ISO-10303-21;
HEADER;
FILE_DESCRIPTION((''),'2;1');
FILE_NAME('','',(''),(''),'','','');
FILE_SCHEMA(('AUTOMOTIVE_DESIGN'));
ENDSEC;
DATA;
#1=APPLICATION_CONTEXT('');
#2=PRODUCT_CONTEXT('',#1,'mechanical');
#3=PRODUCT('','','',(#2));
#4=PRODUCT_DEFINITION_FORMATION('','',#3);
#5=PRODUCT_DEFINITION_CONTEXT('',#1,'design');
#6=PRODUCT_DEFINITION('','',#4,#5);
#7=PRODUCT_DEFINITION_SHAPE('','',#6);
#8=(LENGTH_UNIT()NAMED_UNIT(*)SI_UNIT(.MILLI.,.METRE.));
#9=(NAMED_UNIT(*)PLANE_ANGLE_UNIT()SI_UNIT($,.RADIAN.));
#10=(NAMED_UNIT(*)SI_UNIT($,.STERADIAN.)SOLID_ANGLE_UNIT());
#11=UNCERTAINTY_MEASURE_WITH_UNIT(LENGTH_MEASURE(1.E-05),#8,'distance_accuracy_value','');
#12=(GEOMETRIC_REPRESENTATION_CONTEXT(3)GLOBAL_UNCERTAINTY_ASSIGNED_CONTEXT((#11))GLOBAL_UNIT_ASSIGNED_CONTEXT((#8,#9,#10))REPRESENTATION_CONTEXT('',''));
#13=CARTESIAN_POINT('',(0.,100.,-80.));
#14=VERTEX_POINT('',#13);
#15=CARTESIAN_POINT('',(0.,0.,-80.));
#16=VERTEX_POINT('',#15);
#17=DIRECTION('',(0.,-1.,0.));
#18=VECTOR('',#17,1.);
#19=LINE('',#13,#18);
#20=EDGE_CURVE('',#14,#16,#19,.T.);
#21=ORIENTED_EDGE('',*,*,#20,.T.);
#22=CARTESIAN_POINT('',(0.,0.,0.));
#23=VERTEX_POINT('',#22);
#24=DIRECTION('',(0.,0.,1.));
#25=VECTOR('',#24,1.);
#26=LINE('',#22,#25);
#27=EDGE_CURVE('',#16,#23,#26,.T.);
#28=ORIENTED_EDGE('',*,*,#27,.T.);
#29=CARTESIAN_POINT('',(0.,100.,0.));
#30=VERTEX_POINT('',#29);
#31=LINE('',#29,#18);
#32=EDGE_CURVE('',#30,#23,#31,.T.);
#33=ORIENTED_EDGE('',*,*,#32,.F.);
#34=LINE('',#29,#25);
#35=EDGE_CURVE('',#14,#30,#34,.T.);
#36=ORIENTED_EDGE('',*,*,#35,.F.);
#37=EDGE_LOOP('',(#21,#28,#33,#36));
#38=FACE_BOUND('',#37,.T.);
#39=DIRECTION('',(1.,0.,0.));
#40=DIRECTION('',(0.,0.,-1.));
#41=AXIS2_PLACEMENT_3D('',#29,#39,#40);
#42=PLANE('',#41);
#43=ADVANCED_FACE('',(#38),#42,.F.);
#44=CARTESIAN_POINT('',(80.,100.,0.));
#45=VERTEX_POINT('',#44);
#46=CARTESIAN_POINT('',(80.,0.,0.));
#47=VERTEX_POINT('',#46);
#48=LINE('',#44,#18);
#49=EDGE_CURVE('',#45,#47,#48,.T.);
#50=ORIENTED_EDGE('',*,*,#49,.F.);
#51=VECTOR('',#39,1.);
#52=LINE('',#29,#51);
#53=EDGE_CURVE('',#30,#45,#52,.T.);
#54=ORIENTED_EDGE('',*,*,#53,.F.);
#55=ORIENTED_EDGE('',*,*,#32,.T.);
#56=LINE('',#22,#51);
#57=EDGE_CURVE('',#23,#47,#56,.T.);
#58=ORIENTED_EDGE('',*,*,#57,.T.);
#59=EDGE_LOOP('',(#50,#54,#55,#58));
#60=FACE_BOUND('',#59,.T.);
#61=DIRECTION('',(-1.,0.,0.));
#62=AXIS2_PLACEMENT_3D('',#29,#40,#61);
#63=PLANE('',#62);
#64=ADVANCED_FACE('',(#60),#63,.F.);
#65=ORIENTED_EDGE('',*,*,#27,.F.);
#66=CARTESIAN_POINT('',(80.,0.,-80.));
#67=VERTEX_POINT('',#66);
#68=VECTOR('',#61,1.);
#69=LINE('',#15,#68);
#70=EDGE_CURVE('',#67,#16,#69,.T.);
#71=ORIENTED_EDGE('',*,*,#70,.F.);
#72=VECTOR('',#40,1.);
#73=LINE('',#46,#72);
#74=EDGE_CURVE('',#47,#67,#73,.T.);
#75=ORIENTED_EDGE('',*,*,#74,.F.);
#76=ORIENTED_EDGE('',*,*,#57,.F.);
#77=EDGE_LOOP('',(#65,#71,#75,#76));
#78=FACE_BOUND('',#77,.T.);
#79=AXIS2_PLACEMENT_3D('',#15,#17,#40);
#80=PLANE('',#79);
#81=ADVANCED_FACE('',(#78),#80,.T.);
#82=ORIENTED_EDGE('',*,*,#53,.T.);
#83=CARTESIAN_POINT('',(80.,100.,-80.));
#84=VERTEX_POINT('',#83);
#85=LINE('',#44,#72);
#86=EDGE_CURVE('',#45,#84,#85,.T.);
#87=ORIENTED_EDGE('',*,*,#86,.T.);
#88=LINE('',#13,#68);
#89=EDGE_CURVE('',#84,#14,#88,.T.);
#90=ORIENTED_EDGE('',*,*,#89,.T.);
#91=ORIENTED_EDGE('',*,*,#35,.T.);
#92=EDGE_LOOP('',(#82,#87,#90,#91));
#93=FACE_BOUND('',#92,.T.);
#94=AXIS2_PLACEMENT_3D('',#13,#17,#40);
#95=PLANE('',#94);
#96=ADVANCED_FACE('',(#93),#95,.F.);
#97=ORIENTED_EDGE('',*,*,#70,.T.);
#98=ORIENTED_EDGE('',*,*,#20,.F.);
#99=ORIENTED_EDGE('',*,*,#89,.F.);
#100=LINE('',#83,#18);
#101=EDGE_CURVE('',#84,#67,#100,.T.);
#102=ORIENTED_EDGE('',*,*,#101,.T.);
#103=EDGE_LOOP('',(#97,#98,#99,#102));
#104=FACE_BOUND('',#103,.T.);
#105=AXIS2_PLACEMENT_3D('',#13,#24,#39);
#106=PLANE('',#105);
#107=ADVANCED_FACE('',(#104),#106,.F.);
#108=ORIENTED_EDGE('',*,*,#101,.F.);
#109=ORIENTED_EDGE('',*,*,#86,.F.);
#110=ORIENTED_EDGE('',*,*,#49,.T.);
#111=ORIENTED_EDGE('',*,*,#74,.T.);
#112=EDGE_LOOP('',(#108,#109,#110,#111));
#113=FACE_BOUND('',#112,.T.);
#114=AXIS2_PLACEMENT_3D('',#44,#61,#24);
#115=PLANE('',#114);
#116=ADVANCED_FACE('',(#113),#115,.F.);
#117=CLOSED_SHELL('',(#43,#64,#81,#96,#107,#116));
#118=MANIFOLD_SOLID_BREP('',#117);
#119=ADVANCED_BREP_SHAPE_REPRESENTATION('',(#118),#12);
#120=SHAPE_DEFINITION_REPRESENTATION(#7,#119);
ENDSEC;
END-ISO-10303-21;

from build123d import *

# Parameters (mm, degrees)
SKETCH1_W     = 80
SKETCH1_H     = 80
PAYLOAD_DEPTH = 100


with BuildPart() as part:
    # Sketch1 → Payload (new body)
    with BuildSketch(Plane(origin=(0, 0, 0), x_dir=(1, 0, 0), z_dir=(0, 1, 0))):
        with Locations((40, 40)):
            Rectangle(SKETCH1_W, SKETCH1_H)
    extrude(amount=PAYLOAD_DEPTH)


solid = part.part
